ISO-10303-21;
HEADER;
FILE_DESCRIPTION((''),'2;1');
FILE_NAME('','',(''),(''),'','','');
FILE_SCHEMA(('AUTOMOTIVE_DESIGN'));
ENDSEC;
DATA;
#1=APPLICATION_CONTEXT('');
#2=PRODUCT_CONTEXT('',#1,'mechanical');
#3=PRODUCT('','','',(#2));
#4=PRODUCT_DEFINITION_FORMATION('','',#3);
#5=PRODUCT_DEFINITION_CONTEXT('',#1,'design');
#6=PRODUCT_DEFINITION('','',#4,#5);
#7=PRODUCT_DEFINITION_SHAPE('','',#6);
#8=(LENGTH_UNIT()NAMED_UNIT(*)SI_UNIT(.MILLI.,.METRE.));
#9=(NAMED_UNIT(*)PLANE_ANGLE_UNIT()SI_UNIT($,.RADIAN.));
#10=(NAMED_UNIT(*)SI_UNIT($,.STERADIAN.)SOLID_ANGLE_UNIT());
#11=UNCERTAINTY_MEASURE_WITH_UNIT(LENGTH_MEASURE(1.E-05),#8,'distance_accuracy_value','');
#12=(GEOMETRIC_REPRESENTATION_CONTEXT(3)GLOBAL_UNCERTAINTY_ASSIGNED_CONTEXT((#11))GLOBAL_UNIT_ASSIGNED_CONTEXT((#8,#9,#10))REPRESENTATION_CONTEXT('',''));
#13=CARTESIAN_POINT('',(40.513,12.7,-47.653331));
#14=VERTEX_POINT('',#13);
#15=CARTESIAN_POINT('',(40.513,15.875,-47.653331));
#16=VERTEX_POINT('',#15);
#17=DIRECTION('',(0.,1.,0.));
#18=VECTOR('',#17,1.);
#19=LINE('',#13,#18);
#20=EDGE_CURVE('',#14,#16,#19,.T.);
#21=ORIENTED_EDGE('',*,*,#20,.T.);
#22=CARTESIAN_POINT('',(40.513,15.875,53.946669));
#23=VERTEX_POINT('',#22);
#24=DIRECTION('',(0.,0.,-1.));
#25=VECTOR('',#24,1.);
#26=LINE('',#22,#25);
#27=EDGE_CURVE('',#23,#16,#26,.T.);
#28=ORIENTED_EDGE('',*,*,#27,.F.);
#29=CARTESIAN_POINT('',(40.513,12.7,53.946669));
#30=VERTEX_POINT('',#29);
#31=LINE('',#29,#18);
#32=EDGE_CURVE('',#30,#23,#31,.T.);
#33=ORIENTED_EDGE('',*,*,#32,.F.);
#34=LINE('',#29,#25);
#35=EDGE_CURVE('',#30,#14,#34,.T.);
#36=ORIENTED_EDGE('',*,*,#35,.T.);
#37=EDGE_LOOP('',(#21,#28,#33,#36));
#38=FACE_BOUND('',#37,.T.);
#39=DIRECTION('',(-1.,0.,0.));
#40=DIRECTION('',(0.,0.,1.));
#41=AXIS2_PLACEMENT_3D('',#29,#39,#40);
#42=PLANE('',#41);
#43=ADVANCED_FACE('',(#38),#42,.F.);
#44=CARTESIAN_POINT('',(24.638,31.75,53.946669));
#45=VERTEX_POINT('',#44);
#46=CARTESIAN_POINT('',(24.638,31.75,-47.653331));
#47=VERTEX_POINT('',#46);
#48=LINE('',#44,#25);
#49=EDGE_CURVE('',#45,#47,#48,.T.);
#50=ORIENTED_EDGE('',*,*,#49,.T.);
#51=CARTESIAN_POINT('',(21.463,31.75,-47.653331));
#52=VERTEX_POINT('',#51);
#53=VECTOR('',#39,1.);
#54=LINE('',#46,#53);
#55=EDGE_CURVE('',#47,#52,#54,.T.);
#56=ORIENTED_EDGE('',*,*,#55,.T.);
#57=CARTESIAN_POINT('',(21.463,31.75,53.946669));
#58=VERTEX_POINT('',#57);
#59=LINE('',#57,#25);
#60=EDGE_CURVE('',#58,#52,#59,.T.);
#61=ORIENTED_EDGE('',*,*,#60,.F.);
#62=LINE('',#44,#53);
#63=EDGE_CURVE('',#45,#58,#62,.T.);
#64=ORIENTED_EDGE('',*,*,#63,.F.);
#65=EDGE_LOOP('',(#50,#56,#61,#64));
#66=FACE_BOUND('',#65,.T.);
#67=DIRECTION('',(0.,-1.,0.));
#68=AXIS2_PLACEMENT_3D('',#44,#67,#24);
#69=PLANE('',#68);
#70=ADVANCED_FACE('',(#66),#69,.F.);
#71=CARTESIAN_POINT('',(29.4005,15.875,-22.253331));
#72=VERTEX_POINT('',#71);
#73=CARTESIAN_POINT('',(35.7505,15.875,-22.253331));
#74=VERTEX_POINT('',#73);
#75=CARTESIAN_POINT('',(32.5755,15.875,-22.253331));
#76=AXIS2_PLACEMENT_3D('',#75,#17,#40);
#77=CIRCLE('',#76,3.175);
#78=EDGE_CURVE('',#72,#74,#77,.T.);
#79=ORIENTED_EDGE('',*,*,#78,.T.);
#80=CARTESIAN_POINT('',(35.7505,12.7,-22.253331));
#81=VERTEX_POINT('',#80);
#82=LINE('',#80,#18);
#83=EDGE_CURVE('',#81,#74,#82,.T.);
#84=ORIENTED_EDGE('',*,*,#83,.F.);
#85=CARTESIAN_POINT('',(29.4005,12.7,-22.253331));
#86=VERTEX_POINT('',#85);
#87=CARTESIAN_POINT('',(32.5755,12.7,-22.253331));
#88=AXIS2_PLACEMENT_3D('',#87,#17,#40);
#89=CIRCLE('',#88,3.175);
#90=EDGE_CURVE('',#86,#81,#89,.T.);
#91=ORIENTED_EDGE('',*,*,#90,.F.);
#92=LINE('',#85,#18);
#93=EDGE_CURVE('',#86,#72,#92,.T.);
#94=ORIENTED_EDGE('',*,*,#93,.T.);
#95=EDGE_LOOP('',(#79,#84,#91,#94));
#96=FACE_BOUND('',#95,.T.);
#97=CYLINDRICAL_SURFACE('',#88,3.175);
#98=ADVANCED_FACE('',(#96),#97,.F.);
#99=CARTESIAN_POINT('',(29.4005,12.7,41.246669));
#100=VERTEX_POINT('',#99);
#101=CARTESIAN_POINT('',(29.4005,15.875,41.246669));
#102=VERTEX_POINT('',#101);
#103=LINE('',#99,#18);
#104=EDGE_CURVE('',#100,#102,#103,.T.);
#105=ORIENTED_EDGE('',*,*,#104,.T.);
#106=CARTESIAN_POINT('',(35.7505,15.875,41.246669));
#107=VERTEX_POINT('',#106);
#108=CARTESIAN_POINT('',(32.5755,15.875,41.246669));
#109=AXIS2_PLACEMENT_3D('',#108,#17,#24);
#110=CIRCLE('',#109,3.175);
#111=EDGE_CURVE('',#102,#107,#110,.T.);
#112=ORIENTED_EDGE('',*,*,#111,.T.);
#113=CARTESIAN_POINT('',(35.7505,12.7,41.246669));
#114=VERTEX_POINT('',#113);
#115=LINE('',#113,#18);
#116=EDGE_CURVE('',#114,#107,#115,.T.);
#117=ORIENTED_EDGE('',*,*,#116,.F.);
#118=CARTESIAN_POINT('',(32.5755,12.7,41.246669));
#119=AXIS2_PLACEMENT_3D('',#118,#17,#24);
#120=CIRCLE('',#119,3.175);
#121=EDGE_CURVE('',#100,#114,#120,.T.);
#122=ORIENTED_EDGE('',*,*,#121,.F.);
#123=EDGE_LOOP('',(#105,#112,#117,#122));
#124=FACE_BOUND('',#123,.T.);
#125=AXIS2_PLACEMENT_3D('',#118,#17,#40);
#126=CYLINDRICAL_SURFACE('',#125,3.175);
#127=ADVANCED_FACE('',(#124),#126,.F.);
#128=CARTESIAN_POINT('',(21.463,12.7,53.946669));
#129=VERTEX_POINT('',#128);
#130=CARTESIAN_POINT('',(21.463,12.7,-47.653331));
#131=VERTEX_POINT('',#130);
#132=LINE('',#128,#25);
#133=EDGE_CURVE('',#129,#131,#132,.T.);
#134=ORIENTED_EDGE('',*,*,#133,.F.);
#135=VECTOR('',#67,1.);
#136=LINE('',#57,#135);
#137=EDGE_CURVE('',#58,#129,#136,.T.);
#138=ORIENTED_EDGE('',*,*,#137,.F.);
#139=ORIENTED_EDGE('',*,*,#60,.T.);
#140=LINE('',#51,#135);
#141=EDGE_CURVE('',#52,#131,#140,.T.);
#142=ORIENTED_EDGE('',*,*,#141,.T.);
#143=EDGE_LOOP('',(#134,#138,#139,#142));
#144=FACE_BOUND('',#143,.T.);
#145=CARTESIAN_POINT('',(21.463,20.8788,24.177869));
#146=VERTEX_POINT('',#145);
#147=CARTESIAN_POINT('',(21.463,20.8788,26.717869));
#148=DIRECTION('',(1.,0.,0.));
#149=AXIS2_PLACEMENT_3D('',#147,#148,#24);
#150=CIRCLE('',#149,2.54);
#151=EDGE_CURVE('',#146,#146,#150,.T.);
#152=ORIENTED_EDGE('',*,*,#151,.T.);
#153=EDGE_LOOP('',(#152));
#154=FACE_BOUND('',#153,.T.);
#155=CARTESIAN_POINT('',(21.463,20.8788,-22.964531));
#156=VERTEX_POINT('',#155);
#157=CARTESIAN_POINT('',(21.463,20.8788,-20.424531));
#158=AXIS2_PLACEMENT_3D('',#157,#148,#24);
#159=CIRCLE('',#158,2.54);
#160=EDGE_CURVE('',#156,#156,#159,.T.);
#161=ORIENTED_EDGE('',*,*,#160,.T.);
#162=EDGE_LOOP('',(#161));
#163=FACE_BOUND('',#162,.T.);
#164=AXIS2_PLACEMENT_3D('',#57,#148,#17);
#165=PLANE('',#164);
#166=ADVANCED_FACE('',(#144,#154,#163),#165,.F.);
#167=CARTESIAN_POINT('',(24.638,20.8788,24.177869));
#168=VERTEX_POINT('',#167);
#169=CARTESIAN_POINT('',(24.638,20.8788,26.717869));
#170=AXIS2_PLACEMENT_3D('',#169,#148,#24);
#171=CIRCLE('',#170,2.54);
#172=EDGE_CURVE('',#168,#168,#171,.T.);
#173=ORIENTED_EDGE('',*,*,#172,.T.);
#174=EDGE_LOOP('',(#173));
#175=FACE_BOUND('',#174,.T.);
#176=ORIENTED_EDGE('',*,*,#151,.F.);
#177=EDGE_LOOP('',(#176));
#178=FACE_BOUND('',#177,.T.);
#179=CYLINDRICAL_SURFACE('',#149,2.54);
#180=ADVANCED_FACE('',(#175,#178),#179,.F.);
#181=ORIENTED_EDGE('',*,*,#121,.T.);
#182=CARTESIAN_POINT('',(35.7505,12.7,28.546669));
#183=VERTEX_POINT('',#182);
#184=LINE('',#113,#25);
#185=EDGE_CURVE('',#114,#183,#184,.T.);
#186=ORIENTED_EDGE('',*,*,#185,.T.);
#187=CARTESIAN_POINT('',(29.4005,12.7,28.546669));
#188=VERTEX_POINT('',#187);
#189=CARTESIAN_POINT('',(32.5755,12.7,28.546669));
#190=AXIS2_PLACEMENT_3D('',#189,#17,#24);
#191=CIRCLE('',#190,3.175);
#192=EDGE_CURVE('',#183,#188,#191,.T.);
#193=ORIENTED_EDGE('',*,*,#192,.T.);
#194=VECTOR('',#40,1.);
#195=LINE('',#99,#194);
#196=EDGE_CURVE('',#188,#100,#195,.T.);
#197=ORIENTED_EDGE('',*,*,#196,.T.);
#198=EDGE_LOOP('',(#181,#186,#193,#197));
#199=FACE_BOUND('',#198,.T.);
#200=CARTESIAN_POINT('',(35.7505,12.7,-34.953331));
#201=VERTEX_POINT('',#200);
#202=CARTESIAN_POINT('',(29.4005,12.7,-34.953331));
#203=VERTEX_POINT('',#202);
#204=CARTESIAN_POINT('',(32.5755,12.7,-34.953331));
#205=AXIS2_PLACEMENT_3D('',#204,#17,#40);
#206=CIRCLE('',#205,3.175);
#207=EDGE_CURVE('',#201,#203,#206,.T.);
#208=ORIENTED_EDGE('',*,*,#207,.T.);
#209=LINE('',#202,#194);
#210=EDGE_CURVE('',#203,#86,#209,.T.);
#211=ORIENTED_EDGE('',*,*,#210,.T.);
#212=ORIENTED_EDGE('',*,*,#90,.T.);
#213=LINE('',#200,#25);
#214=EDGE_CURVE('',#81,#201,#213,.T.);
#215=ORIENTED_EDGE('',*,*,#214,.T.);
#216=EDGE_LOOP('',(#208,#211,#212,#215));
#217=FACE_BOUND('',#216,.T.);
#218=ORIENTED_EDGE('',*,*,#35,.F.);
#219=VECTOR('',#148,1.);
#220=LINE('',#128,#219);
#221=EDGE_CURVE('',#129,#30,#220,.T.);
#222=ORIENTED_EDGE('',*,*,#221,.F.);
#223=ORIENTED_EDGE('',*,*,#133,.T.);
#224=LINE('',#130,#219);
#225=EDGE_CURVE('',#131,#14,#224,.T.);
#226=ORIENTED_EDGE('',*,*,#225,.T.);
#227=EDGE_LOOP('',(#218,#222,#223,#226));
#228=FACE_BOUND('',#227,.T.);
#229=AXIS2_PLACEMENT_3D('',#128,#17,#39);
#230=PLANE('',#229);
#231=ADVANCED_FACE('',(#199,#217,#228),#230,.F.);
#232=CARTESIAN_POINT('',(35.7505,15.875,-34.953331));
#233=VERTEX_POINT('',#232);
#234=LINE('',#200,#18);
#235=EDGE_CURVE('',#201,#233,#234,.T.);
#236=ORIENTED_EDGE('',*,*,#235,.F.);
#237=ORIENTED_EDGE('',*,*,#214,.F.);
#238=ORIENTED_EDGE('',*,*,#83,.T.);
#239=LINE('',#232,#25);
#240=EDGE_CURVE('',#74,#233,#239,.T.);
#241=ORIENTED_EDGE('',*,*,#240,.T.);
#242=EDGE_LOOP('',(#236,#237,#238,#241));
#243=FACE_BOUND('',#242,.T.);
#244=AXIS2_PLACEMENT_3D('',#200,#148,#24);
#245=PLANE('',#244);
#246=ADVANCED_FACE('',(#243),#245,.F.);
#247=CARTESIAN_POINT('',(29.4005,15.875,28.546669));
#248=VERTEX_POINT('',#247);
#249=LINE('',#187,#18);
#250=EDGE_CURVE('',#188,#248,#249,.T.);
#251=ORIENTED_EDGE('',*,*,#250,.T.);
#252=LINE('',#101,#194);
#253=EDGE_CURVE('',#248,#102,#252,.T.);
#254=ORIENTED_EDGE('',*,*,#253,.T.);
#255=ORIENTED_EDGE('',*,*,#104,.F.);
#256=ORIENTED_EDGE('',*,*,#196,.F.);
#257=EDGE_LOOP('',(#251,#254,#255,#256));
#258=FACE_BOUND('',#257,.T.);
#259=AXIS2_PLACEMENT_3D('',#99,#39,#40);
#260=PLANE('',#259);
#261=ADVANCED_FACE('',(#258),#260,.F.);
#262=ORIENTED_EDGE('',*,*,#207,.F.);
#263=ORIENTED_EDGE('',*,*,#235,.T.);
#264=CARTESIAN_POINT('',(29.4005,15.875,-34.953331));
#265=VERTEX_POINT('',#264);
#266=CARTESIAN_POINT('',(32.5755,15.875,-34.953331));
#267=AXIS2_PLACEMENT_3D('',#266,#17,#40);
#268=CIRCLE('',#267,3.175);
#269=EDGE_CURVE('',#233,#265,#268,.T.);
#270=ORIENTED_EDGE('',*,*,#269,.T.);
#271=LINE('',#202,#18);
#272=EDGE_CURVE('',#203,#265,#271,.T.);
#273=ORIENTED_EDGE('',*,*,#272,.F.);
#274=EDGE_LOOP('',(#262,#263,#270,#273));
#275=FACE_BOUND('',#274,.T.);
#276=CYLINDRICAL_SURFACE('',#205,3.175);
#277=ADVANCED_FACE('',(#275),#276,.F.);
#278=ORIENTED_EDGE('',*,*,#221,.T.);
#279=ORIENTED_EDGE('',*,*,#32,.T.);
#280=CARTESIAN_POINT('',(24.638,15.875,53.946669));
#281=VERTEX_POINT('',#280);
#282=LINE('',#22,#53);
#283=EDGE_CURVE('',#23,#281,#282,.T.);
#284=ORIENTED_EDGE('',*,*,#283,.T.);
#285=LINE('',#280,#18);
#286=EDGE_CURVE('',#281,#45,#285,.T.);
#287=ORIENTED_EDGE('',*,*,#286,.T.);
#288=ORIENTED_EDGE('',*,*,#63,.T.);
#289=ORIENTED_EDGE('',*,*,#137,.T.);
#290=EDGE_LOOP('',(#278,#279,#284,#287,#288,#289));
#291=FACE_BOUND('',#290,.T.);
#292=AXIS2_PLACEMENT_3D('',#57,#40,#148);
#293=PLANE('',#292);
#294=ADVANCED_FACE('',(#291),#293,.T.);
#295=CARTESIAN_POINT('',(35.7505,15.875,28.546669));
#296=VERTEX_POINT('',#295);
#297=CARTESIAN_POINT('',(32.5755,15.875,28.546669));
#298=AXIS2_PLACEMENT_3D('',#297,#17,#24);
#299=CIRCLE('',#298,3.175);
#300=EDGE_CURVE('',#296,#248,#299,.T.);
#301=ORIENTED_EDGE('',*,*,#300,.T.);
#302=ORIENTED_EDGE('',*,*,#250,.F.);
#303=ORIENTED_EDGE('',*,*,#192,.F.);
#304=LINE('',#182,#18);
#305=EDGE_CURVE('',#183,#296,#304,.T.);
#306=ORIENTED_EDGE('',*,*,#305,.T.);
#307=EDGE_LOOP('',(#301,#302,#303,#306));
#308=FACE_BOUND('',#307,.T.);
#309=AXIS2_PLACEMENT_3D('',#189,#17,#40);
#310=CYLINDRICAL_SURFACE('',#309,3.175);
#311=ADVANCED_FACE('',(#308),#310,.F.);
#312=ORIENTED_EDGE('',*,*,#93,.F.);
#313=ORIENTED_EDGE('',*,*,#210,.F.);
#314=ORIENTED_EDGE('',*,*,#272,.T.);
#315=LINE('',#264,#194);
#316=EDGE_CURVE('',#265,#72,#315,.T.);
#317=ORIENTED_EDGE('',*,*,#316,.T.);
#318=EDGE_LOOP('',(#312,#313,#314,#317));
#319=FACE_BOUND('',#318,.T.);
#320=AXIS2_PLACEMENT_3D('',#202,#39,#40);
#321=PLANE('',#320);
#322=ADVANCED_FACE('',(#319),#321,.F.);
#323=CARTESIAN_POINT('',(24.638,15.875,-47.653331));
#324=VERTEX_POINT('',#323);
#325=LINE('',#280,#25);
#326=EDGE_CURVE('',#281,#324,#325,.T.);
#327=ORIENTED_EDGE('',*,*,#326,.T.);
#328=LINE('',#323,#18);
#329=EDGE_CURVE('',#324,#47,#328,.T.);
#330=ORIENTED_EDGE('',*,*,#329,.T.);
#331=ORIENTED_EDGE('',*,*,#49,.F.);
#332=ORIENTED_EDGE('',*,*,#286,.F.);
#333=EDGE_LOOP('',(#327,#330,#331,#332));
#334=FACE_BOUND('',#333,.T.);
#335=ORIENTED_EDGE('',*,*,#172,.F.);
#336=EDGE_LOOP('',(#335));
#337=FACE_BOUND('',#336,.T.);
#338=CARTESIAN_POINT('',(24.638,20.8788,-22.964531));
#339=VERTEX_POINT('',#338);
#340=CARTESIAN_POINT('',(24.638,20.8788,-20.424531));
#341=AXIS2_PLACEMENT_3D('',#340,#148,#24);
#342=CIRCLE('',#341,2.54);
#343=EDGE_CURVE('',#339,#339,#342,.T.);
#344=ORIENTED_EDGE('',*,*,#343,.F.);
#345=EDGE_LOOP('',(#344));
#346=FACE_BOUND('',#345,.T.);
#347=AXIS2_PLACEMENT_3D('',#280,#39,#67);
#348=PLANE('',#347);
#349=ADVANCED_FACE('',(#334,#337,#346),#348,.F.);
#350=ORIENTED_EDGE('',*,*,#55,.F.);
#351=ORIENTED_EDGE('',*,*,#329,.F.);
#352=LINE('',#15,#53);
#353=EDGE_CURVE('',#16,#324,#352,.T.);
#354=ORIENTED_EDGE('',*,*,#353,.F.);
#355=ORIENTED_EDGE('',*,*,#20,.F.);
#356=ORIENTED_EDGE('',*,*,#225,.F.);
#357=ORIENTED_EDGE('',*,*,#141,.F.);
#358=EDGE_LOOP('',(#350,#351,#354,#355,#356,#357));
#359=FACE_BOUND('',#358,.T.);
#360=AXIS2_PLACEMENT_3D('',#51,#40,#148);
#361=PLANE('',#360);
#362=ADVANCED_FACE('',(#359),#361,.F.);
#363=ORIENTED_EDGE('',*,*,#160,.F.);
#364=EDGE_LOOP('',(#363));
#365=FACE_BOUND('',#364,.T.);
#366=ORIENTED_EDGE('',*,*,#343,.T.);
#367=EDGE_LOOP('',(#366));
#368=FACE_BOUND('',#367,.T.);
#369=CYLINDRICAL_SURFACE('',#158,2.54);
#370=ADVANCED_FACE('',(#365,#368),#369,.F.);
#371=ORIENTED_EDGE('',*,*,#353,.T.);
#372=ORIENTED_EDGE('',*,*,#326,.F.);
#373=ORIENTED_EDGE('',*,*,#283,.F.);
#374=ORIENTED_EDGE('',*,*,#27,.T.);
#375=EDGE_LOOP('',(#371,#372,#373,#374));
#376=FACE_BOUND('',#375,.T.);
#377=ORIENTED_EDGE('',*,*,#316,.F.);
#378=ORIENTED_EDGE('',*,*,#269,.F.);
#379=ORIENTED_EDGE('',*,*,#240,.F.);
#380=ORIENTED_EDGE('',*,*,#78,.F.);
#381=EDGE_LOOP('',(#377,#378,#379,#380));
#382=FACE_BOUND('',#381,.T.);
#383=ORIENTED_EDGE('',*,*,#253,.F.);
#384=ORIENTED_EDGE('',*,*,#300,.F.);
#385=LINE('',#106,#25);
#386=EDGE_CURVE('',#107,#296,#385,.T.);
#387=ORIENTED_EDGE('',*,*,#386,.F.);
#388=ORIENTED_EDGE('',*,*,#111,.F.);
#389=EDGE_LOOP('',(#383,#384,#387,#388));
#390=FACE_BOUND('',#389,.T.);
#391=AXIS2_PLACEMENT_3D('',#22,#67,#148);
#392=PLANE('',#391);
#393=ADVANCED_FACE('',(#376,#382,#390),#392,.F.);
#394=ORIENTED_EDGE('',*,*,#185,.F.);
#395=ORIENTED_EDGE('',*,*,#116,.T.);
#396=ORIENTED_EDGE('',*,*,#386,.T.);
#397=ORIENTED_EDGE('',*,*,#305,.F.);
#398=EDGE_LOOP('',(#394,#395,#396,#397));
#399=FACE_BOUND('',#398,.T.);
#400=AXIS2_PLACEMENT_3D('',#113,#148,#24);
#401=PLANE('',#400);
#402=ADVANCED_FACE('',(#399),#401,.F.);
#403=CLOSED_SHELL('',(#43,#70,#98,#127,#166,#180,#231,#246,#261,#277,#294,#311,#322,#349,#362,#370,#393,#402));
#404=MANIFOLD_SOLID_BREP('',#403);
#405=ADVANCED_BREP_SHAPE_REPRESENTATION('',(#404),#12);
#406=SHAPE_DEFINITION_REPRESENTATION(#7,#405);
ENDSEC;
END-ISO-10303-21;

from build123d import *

# Parameters (mm, degrees)
EXTRUDE1_DEPTH     = 50.8
CUT_EXTRUDE1_DEPTH = 70.3077329
SKETCH4_R          = 2.54
CUT_EXTRUDE2_DEPTH = 65.578023899


with BuildPart() as part:
    # Sketch1 → Extrude1 (new, symmetric)
    with BuildSketch(Plane.XY.offset(3.146668532)):
        Polygon((21.463, 31.75), (21.463, 12.7), (40.513, 12.7), (40.513, 15.875), (24.638, 15.875), (24.638, 31.75), align=None)
    extrude(amount=EXTRUDE1_DEPTH, both=True)

    # Sketch3 → Cut-Extrude1 (cut, through all)
    with BuildSketch(Plane(origin=(0, 15.875, 0), x_dir=(-1, 0, 0), z_dir=(0, 1, 0))):
        with BuildLine():
            Line((-35.7505, -34.953331468), (-35.7505, -22.253331468))
            ThreePointArc((-35.7505, -22.253331468), (-32.5755, -19.078331468), (-29.4005, -22.253331468))
            Line((-29.4005, -22.253331468), (-29.4005, -34.953331468))
            ThreePointArc((-29.4005, -34.953331468), (-32.5755, -38.128331468), (-35.7505, -34.953331468))
        make_face()
        with BuildLine():
            Line((-29.4005, 41.246668532), (-29.4005, 28.546668532))
            ThreePointArc((-29.4005, 28.546668532), (-32.5755, 25.371668532), (-35.7505, 28.546668532))
            Line((-35.7505, 28.546668532), (-35.7505, 41.246668532))
            ThreePointArc((-35.7505, 41.246668532), (-32.5755, 44.421668532), (-29.4005, 41.246668532))
        make_face()
    extrude(amount=-CUT_EXTRUDE1_DEPTH, mode=Mode.SUBTRACT)

    # Sketch4 → Cut-Extrude2 (cut, through all)
    with BuildSketch(Plane(origin=(24.638, 0, 0), x_dir=(0, 0, -1), z_dir=(1, 0, 0))):
        with Locations((20.424531468, 20.8788)):
            Circle(SKETCH4_R)
        with Locations((-26.717868532, 20.8788)):
            Circle(SKETCH4_R)
    extrude(amount=-CUT_EXTRUDE2_DEPTH, mode=Mode.SUBTRACT)


solid = part.part
